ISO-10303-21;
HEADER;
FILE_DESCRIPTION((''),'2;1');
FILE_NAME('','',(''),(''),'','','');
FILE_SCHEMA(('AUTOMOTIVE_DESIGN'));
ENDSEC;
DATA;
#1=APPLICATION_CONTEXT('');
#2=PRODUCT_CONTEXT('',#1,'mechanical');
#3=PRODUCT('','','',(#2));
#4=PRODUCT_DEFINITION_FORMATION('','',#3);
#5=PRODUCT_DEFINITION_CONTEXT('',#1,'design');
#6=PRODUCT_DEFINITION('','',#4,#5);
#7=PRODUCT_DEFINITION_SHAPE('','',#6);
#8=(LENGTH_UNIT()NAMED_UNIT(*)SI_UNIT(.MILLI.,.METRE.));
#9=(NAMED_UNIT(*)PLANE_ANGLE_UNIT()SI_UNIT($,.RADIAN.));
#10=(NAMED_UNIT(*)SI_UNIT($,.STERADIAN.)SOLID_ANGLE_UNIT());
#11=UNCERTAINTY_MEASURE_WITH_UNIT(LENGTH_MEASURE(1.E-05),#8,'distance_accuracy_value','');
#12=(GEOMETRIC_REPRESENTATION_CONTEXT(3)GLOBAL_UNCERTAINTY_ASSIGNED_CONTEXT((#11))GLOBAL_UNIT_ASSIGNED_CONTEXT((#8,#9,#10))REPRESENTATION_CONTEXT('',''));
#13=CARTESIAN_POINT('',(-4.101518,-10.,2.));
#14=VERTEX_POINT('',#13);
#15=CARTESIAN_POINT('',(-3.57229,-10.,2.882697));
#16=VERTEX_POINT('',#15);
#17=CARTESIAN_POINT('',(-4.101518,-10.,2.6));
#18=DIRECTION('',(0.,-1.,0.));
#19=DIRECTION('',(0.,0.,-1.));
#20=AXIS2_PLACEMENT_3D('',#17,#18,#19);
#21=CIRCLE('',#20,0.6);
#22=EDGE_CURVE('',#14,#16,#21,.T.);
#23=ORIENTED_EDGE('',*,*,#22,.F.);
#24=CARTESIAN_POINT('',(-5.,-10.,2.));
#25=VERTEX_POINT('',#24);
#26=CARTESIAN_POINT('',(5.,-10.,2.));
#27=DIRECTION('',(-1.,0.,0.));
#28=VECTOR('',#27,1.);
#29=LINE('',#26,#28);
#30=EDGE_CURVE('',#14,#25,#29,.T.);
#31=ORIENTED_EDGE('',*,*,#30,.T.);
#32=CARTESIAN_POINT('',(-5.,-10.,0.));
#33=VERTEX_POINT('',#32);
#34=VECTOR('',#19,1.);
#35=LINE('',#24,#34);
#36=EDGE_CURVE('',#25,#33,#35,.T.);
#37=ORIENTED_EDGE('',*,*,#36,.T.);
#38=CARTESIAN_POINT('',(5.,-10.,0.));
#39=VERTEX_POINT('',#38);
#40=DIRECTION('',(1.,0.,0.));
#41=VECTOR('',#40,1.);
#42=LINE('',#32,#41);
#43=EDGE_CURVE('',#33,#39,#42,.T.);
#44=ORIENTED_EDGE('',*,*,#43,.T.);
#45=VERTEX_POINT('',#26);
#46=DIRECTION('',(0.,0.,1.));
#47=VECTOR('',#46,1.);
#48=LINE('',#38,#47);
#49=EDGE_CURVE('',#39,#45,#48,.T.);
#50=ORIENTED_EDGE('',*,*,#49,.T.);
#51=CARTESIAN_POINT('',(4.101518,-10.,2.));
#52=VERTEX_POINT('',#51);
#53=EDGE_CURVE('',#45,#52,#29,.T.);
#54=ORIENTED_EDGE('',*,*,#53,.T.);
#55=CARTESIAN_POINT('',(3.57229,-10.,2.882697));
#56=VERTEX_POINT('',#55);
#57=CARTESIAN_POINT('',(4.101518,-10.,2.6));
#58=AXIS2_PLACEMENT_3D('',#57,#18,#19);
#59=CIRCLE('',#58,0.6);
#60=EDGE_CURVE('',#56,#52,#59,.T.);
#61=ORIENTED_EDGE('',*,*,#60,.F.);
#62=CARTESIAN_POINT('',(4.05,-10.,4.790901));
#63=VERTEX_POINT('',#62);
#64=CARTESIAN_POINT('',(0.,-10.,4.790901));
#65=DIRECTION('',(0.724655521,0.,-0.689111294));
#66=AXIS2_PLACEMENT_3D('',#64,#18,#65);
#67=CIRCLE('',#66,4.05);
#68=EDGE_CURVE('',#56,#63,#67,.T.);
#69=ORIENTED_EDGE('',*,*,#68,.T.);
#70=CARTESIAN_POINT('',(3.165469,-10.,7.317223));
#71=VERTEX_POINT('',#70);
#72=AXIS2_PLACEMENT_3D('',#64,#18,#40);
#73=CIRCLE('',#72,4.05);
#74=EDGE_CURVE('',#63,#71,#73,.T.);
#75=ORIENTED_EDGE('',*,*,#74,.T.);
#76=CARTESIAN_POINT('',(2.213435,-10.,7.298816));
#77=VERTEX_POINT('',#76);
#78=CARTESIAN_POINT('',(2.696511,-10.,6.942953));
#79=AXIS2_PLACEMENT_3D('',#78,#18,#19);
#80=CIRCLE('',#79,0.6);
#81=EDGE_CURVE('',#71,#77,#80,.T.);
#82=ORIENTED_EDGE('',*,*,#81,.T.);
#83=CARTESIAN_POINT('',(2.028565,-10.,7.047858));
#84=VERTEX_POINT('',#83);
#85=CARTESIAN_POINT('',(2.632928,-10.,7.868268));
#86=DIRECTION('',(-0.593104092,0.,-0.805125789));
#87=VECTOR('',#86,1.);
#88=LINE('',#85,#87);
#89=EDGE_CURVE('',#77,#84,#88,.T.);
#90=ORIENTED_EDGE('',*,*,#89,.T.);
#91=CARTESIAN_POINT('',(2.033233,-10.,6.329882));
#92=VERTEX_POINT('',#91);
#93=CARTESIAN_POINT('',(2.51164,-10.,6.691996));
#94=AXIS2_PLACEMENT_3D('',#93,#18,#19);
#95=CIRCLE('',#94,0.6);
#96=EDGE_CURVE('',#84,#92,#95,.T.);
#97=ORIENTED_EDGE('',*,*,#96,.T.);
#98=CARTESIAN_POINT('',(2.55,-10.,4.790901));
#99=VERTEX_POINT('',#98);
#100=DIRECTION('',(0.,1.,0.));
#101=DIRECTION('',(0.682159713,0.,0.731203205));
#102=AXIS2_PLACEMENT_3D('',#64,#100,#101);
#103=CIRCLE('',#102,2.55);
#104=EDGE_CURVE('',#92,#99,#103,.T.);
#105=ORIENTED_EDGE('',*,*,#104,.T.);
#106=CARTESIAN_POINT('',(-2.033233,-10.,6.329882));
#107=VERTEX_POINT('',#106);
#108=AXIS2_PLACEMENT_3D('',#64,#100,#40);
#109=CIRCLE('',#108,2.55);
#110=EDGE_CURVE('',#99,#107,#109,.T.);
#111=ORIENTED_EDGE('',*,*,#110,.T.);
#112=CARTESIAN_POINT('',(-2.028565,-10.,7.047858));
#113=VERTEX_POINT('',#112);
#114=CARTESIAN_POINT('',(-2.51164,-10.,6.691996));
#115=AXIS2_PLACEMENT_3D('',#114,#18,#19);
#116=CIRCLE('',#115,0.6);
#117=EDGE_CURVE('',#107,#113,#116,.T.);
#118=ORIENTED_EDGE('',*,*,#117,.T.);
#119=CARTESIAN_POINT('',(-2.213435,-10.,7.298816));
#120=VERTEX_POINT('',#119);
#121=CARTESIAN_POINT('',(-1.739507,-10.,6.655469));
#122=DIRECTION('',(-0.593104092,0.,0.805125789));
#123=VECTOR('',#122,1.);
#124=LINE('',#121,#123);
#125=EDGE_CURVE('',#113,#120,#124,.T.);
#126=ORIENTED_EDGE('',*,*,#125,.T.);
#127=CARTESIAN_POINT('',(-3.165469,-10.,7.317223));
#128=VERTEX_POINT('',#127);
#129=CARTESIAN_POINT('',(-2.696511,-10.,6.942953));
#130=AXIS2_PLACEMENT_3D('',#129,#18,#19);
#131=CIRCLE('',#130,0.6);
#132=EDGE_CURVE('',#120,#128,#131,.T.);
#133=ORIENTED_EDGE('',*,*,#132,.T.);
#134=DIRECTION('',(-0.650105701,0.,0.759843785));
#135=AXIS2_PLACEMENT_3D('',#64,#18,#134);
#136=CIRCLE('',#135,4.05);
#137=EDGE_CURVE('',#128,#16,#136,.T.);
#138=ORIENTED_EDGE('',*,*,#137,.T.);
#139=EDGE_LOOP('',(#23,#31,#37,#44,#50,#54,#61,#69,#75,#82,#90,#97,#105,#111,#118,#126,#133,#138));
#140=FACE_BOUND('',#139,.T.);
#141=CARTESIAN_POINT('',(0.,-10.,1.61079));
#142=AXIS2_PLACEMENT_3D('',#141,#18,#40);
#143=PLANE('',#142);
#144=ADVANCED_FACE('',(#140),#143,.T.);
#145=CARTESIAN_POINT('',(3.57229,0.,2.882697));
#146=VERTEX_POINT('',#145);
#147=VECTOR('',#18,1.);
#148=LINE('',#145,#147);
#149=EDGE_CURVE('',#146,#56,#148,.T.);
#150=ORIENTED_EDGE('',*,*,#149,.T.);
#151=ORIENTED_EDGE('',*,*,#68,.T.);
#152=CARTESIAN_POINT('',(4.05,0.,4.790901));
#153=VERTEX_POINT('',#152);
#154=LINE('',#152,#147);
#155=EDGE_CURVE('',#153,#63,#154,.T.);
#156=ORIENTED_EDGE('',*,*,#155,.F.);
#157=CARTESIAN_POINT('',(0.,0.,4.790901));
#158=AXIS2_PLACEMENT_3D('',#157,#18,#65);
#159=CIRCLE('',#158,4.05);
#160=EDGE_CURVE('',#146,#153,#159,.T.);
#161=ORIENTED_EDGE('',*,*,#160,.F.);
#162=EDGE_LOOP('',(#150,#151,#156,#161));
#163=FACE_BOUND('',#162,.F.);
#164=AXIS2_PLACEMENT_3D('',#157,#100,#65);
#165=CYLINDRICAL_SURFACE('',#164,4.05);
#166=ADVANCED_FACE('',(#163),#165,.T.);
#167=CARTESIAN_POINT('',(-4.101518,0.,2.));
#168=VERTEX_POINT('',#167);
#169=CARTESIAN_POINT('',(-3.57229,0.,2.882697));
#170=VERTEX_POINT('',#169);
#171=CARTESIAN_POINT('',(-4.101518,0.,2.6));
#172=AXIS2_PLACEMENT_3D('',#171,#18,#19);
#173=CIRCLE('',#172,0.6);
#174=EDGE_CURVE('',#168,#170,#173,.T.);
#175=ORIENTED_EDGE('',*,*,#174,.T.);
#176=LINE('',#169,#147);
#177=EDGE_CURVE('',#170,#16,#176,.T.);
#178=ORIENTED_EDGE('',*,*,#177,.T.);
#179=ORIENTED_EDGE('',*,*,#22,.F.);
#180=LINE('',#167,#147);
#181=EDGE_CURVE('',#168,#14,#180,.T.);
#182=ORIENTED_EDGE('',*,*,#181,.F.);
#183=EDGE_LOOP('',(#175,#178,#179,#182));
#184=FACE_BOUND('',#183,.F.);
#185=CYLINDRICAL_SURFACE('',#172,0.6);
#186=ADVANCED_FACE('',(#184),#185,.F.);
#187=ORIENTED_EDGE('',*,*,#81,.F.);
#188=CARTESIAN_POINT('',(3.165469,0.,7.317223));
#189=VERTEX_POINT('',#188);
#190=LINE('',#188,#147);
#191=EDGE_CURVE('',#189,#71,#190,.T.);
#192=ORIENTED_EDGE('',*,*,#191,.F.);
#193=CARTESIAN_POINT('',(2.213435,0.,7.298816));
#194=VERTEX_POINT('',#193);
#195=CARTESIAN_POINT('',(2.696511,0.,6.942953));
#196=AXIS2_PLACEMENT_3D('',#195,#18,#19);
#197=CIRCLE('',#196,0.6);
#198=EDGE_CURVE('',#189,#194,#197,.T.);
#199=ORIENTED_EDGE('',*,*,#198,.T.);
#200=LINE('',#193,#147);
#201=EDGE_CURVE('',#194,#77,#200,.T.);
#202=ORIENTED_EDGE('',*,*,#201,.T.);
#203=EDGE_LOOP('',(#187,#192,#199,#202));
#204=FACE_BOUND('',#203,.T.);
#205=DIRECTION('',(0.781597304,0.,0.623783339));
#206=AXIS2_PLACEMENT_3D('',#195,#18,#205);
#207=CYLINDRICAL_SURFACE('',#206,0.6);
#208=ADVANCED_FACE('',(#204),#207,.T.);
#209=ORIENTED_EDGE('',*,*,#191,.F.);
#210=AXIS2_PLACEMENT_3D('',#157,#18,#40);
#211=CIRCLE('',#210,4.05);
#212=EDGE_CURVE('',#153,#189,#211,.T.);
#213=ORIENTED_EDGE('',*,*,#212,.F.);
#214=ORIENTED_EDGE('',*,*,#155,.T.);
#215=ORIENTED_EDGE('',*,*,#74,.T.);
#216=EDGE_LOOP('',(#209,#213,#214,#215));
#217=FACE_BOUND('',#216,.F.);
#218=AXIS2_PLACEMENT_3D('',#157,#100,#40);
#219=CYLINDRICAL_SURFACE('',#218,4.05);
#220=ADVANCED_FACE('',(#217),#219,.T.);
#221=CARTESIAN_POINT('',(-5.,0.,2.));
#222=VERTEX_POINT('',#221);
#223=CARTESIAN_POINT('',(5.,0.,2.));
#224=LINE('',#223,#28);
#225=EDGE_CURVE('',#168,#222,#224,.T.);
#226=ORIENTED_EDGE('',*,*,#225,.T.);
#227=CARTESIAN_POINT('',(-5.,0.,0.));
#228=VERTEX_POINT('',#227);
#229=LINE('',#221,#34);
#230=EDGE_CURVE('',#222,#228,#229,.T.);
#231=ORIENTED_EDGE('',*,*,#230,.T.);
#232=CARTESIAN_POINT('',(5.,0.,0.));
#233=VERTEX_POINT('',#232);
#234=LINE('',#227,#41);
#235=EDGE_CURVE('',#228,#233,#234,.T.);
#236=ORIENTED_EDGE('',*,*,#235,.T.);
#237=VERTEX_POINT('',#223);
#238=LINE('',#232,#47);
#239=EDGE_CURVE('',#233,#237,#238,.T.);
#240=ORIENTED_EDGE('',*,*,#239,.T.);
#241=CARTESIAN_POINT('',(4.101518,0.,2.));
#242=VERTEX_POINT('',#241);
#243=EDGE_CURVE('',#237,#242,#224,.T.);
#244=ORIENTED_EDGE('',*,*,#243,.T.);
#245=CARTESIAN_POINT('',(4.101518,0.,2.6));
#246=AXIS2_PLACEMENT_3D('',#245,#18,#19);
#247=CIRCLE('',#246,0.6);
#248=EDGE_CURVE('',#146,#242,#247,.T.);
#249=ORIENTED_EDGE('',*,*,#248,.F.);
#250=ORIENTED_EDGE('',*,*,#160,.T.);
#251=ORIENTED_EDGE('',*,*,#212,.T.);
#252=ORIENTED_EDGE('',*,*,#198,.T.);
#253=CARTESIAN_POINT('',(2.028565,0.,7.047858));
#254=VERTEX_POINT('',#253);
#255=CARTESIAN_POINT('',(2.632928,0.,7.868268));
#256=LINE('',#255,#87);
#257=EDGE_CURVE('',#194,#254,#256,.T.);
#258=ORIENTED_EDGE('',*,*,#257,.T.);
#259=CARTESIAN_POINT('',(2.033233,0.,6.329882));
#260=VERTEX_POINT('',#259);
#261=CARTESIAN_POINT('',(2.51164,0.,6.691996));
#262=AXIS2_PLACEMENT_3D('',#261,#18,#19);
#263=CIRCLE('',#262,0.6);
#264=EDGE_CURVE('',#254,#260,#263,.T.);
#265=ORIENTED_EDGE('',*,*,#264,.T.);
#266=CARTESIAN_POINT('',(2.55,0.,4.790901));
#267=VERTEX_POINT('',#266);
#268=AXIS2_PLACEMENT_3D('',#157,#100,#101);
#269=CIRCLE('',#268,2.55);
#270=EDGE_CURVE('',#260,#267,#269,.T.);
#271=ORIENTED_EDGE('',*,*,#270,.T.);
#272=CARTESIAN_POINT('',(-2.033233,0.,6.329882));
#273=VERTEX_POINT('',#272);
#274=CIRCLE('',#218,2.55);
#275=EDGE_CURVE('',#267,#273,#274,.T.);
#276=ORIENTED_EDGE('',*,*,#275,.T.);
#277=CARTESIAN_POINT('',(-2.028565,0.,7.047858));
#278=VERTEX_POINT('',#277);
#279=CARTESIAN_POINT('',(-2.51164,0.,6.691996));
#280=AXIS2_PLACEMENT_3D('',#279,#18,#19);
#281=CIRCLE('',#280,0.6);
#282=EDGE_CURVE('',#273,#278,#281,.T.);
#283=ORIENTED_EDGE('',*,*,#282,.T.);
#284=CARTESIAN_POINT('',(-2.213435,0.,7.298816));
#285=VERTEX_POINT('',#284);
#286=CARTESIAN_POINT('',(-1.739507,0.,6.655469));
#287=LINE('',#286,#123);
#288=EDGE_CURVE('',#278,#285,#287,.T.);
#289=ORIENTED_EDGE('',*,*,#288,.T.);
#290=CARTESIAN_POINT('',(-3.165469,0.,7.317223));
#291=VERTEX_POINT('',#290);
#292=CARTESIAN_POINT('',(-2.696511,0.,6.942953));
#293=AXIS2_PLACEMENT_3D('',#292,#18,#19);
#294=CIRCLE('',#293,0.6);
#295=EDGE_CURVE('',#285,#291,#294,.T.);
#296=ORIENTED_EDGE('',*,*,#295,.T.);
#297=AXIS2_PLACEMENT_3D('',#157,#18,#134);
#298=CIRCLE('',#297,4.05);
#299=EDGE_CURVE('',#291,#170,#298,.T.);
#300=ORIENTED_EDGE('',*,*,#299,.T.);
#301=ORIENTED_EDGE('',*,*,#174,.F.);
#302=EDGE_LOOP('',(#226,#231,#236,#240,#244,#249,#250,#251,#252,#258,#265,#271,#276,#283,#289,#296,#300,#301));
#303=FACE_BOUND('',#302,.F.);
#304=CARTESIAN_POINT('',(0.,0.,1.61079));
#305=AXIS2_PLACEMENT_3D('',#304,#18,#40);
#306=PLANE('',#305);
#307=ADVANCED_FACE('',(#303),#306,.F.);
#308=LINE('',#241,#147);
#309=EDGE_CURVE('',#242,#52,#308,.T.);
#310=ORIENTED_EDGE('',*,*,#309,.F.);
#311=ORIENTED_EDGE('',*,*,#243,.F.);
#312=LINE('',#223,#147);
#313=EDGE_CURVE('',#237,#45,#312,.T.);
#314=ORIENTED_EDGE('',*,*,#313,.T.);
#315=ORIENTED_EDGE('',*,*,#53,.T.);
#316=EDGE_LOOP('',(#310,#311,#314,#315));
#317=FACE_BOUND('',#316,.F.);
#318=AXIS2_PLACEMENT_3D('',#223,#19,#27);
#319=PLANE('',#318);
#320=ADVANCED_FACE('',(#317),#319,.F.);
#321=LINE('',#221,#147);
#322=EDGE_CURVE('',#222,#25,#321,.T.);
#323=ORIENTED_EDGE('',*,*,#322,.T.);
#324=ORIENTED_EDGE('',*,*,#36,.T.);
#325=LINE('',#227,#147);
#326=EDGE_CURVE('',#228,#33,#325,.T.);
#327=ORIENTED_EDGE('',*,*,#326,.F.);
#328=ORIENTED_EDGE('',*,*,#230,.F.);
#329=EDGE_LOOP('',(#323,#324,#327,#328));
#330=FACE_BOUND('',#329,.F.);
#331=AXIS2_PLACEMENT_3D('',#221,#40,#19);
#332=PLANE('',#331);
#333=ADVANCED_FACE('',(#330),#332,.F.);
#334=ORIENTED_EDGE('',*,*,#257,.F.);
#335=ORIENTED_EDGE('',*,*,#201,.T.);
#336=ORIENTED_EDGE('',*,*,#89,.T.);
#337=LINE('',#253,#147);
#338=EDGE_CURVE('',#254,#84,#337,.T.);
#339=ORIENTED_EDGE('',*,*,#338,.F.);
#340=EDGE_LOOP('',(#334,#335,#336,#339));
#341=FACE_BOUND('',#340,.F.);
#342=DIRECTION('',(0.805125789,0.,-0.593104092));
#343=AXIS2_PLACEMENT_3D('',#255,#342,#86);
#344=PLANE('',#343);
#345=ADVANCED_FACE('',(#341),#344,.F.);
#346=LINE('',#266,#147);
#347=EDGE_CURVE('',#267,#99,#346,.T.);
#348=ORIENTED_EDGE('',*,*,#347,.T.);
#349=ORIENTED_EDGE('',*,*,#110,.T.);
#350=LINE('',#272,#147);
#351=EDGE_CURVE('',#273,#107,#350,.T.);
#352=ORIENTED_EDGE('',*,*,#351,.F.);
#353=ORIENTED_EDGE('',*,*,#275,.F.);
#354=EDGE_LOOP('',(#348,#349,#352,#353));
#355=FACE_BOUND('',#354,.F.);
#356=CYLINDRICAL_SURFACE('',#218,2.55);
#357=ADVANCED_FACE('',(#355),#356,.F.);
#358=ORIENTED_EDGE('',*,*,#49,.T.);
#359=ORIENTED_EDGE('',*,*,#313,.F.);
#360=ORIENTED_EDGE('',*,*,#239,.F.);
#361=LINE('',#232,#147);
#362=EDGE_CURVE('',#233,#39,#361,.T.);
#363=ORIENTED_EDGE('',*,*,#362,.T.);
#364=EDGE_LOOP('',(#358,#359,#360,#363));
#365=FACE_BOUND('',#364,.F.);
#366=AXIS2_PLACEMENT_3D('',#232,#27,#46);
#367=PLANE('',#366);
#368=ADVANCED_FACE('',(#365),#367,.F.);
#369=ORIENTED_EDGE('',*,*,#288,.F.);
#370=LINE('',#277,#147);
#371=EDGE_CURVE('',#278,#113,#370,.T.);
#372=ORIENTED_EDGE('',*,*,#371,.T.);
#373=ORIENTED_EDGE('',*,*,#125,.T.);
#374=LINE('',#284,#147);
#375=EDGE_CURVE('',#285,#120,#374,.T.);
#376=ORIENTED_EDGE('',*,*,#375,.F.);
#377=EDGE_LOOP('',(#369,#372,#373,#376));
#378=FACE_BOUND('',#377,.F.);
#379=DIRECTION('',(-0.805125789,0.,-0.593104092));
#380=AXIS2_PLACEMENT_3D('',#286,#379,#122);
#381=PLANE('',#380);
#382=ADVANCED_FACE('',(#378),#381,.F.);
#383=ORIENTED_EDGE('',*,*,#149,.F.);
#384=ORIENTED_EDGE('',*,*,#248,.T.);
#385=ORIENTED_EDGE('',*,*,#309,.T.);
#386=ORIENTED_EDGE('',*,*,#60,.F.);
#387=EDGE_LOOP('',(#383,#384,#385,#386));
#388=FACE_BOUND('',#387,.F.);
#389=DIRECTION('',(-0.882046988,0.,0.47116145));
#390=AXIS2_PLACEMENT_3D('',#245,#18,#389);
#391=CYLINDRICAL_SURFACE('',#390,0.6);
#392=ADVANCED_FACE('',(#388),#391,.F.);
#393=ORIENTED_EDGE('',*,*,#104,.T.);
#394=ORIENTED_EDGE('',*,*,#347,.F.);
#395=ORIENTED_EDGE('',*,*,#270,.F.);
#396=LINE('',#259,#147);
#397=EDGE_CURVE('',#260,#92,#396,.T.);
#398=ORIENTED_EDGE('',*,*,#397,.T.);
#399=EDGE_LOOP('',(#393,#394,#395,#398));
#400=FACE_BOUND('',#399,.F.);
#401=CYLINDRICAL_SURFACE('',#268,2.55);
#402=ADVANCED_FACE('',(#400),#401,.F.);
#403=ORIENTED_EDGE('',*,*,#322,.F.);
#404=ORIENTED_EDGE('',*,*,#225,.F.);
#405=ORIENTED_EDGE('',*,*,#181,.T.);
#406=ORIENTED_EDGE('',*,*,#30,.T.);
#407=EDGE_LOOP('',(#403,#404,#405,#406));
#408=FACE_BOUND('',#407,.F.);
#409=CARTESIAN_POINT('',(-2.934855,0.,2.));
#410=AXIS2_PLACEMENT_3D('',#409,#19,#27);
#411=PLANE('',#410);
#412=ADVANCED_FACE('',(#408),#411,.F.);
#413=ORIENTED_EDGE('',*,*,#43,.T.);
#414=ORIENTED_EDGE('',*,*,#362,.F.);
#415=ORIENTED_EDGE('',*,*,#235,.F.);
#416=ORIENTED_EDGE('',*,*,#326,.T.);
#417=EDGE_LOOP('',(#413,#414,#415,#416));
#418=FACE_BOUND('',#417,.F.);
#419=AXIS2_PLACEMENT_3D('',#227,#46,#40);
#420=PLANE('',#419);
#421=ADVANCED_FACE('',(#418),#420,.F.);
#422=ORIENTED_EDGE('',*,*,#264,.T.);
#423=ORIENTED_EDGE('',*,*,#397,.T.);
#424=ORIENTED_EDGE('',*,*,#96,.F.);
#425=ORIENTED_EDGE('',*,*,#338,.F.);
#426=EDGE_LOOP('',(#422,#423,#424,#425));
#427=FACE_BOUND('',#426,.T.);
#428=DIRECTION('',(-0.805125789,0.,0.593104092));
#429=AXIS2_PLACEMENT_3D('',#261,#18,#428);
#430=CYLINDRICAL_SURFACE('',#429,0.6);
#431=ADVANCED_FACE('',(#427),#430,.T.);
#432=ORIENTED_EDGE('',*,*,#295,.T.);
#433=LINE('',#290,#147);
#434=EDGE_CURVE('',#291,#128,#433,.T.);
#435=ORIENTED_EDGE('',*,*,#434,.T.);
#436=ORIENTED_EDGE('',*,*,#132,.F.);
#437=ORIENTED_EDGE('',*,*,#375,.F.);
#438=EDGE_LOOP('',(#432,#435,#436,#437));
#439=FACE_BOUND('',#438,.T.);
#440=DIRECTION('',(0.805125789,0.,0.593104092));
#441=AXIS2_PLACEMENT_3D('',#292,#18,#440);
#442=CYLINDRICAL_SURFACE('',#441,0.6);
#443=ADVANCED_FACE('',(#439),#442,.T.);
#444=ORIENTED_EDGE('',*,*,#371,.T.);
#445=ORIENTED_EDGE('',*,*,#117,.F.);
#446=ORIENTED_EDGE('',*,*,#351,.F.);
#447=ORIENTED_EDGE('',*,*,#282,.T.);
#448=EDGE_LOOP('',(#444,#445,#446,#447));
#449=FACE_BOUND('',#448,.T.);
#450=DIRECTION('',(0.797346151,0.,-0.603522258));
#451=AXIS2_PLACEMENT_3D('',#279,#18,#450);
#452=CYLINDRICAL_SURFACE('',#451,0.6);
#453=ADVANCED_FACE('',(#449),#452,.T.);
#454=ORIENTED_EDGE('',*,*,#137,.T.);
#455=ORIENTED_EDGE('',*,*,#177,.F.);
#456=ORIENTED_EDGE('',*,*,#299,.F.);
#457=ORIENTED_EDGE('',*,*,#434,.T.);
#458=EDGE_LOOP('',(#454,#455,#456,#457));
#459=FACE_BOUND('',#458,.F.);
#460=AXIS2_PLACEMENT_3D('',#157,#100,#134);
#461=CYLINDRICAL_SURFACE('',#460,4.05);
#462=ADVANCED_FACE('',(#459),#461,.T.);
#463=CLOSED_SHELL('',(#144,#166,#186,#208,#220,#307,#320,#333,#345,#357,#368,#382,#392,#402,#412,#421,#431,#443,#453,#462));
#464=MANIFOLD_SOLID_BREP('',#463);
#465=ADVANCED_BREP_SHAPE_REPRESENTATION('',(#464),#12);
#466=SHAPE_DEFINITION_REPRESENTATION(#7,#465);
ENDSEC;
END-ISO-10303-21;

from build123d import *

# Parameters (mm, degrees)
F1_DEPTH = 10
F2_R     = 0.6
F3_R     = 0.6


with BuildPart() as f1:
    # F0 (on Front) → F1 (new body)
    with BuildSketch(Plane.XZ):
        with BuildLine():
            Line((2.934854861, 2), (-2.934854861, 2))
            ThreePointArc((-2.934854861, 2), (0, 0.7409007408), (2.934854861, 2))
        make_face()
        with BuildLine():
            Line((-2.934854861, 2), (-5, 2))
            Line((-5, 2), (-5, 0))
            Line((-5, 0), (5, 0))
            Line((5, 0), (5, 2))
            Line((5, 2), (2.934854861, 2))
            ThreePointArc((2.934854861, 2), (0, 0.7409007408), (-2.934854861, 2))
        make_face()
        with BuildLine():
            ThreePointArc((-2.6329280886, 7.8682680702), (-4.0446500812, 4.9990010065), (-2.934854861, 2))
            Line((-2.934854861, 2), (2.934854861, 2))
            ThreePointArc((2.934854861, 2), (3.7608949857, 3.288180239), (4.05, 4.7909007408))
            ThreePointArc((4.05, 4.7909007408), (3.6787130058, 6.4848814433), (2.6329280886, 7.8682680702))
            Line((2.6329280886, 7.8682680702), (1.7395072673, 6.6554689125))
            ThreePointArc((1.7395072673, 6.6554689125), (2.3386153523, 5.8074528714), (2.55, 4.7909007408))
            ThreePointArc((2.55, 4.7909007408), (-1.0165521306, 2.4522853885), (-1.7395072673, 6.6554689125))
            Line((-1.7395072673, 6.6554689125), (-2.6329280886, 7.8682680702))
        make_face()
    extrude(amount=F1_DEPTH)

    # F2
    f2_edges = [f1.edges().sort_by_distance(p)[0] for p in [
        (1.739507, -5, 6.655469),
        (-1.739507, -5, 6.655469),
        (-2.632928, -5, 7.868268),
        (2.632928, -5, 7.868268),
    ]]
    fillet(f2_edges, radius=F2_R)

    # F3
    f3_edges = [f1.edges().sort_by_distance(p)[0] for p in [
        (2.934855, -5, 2),
        (-2.934855, -5, 2),
    ]]
    fillet(f3_edges, radius=F3_R)


solid = f1.part
